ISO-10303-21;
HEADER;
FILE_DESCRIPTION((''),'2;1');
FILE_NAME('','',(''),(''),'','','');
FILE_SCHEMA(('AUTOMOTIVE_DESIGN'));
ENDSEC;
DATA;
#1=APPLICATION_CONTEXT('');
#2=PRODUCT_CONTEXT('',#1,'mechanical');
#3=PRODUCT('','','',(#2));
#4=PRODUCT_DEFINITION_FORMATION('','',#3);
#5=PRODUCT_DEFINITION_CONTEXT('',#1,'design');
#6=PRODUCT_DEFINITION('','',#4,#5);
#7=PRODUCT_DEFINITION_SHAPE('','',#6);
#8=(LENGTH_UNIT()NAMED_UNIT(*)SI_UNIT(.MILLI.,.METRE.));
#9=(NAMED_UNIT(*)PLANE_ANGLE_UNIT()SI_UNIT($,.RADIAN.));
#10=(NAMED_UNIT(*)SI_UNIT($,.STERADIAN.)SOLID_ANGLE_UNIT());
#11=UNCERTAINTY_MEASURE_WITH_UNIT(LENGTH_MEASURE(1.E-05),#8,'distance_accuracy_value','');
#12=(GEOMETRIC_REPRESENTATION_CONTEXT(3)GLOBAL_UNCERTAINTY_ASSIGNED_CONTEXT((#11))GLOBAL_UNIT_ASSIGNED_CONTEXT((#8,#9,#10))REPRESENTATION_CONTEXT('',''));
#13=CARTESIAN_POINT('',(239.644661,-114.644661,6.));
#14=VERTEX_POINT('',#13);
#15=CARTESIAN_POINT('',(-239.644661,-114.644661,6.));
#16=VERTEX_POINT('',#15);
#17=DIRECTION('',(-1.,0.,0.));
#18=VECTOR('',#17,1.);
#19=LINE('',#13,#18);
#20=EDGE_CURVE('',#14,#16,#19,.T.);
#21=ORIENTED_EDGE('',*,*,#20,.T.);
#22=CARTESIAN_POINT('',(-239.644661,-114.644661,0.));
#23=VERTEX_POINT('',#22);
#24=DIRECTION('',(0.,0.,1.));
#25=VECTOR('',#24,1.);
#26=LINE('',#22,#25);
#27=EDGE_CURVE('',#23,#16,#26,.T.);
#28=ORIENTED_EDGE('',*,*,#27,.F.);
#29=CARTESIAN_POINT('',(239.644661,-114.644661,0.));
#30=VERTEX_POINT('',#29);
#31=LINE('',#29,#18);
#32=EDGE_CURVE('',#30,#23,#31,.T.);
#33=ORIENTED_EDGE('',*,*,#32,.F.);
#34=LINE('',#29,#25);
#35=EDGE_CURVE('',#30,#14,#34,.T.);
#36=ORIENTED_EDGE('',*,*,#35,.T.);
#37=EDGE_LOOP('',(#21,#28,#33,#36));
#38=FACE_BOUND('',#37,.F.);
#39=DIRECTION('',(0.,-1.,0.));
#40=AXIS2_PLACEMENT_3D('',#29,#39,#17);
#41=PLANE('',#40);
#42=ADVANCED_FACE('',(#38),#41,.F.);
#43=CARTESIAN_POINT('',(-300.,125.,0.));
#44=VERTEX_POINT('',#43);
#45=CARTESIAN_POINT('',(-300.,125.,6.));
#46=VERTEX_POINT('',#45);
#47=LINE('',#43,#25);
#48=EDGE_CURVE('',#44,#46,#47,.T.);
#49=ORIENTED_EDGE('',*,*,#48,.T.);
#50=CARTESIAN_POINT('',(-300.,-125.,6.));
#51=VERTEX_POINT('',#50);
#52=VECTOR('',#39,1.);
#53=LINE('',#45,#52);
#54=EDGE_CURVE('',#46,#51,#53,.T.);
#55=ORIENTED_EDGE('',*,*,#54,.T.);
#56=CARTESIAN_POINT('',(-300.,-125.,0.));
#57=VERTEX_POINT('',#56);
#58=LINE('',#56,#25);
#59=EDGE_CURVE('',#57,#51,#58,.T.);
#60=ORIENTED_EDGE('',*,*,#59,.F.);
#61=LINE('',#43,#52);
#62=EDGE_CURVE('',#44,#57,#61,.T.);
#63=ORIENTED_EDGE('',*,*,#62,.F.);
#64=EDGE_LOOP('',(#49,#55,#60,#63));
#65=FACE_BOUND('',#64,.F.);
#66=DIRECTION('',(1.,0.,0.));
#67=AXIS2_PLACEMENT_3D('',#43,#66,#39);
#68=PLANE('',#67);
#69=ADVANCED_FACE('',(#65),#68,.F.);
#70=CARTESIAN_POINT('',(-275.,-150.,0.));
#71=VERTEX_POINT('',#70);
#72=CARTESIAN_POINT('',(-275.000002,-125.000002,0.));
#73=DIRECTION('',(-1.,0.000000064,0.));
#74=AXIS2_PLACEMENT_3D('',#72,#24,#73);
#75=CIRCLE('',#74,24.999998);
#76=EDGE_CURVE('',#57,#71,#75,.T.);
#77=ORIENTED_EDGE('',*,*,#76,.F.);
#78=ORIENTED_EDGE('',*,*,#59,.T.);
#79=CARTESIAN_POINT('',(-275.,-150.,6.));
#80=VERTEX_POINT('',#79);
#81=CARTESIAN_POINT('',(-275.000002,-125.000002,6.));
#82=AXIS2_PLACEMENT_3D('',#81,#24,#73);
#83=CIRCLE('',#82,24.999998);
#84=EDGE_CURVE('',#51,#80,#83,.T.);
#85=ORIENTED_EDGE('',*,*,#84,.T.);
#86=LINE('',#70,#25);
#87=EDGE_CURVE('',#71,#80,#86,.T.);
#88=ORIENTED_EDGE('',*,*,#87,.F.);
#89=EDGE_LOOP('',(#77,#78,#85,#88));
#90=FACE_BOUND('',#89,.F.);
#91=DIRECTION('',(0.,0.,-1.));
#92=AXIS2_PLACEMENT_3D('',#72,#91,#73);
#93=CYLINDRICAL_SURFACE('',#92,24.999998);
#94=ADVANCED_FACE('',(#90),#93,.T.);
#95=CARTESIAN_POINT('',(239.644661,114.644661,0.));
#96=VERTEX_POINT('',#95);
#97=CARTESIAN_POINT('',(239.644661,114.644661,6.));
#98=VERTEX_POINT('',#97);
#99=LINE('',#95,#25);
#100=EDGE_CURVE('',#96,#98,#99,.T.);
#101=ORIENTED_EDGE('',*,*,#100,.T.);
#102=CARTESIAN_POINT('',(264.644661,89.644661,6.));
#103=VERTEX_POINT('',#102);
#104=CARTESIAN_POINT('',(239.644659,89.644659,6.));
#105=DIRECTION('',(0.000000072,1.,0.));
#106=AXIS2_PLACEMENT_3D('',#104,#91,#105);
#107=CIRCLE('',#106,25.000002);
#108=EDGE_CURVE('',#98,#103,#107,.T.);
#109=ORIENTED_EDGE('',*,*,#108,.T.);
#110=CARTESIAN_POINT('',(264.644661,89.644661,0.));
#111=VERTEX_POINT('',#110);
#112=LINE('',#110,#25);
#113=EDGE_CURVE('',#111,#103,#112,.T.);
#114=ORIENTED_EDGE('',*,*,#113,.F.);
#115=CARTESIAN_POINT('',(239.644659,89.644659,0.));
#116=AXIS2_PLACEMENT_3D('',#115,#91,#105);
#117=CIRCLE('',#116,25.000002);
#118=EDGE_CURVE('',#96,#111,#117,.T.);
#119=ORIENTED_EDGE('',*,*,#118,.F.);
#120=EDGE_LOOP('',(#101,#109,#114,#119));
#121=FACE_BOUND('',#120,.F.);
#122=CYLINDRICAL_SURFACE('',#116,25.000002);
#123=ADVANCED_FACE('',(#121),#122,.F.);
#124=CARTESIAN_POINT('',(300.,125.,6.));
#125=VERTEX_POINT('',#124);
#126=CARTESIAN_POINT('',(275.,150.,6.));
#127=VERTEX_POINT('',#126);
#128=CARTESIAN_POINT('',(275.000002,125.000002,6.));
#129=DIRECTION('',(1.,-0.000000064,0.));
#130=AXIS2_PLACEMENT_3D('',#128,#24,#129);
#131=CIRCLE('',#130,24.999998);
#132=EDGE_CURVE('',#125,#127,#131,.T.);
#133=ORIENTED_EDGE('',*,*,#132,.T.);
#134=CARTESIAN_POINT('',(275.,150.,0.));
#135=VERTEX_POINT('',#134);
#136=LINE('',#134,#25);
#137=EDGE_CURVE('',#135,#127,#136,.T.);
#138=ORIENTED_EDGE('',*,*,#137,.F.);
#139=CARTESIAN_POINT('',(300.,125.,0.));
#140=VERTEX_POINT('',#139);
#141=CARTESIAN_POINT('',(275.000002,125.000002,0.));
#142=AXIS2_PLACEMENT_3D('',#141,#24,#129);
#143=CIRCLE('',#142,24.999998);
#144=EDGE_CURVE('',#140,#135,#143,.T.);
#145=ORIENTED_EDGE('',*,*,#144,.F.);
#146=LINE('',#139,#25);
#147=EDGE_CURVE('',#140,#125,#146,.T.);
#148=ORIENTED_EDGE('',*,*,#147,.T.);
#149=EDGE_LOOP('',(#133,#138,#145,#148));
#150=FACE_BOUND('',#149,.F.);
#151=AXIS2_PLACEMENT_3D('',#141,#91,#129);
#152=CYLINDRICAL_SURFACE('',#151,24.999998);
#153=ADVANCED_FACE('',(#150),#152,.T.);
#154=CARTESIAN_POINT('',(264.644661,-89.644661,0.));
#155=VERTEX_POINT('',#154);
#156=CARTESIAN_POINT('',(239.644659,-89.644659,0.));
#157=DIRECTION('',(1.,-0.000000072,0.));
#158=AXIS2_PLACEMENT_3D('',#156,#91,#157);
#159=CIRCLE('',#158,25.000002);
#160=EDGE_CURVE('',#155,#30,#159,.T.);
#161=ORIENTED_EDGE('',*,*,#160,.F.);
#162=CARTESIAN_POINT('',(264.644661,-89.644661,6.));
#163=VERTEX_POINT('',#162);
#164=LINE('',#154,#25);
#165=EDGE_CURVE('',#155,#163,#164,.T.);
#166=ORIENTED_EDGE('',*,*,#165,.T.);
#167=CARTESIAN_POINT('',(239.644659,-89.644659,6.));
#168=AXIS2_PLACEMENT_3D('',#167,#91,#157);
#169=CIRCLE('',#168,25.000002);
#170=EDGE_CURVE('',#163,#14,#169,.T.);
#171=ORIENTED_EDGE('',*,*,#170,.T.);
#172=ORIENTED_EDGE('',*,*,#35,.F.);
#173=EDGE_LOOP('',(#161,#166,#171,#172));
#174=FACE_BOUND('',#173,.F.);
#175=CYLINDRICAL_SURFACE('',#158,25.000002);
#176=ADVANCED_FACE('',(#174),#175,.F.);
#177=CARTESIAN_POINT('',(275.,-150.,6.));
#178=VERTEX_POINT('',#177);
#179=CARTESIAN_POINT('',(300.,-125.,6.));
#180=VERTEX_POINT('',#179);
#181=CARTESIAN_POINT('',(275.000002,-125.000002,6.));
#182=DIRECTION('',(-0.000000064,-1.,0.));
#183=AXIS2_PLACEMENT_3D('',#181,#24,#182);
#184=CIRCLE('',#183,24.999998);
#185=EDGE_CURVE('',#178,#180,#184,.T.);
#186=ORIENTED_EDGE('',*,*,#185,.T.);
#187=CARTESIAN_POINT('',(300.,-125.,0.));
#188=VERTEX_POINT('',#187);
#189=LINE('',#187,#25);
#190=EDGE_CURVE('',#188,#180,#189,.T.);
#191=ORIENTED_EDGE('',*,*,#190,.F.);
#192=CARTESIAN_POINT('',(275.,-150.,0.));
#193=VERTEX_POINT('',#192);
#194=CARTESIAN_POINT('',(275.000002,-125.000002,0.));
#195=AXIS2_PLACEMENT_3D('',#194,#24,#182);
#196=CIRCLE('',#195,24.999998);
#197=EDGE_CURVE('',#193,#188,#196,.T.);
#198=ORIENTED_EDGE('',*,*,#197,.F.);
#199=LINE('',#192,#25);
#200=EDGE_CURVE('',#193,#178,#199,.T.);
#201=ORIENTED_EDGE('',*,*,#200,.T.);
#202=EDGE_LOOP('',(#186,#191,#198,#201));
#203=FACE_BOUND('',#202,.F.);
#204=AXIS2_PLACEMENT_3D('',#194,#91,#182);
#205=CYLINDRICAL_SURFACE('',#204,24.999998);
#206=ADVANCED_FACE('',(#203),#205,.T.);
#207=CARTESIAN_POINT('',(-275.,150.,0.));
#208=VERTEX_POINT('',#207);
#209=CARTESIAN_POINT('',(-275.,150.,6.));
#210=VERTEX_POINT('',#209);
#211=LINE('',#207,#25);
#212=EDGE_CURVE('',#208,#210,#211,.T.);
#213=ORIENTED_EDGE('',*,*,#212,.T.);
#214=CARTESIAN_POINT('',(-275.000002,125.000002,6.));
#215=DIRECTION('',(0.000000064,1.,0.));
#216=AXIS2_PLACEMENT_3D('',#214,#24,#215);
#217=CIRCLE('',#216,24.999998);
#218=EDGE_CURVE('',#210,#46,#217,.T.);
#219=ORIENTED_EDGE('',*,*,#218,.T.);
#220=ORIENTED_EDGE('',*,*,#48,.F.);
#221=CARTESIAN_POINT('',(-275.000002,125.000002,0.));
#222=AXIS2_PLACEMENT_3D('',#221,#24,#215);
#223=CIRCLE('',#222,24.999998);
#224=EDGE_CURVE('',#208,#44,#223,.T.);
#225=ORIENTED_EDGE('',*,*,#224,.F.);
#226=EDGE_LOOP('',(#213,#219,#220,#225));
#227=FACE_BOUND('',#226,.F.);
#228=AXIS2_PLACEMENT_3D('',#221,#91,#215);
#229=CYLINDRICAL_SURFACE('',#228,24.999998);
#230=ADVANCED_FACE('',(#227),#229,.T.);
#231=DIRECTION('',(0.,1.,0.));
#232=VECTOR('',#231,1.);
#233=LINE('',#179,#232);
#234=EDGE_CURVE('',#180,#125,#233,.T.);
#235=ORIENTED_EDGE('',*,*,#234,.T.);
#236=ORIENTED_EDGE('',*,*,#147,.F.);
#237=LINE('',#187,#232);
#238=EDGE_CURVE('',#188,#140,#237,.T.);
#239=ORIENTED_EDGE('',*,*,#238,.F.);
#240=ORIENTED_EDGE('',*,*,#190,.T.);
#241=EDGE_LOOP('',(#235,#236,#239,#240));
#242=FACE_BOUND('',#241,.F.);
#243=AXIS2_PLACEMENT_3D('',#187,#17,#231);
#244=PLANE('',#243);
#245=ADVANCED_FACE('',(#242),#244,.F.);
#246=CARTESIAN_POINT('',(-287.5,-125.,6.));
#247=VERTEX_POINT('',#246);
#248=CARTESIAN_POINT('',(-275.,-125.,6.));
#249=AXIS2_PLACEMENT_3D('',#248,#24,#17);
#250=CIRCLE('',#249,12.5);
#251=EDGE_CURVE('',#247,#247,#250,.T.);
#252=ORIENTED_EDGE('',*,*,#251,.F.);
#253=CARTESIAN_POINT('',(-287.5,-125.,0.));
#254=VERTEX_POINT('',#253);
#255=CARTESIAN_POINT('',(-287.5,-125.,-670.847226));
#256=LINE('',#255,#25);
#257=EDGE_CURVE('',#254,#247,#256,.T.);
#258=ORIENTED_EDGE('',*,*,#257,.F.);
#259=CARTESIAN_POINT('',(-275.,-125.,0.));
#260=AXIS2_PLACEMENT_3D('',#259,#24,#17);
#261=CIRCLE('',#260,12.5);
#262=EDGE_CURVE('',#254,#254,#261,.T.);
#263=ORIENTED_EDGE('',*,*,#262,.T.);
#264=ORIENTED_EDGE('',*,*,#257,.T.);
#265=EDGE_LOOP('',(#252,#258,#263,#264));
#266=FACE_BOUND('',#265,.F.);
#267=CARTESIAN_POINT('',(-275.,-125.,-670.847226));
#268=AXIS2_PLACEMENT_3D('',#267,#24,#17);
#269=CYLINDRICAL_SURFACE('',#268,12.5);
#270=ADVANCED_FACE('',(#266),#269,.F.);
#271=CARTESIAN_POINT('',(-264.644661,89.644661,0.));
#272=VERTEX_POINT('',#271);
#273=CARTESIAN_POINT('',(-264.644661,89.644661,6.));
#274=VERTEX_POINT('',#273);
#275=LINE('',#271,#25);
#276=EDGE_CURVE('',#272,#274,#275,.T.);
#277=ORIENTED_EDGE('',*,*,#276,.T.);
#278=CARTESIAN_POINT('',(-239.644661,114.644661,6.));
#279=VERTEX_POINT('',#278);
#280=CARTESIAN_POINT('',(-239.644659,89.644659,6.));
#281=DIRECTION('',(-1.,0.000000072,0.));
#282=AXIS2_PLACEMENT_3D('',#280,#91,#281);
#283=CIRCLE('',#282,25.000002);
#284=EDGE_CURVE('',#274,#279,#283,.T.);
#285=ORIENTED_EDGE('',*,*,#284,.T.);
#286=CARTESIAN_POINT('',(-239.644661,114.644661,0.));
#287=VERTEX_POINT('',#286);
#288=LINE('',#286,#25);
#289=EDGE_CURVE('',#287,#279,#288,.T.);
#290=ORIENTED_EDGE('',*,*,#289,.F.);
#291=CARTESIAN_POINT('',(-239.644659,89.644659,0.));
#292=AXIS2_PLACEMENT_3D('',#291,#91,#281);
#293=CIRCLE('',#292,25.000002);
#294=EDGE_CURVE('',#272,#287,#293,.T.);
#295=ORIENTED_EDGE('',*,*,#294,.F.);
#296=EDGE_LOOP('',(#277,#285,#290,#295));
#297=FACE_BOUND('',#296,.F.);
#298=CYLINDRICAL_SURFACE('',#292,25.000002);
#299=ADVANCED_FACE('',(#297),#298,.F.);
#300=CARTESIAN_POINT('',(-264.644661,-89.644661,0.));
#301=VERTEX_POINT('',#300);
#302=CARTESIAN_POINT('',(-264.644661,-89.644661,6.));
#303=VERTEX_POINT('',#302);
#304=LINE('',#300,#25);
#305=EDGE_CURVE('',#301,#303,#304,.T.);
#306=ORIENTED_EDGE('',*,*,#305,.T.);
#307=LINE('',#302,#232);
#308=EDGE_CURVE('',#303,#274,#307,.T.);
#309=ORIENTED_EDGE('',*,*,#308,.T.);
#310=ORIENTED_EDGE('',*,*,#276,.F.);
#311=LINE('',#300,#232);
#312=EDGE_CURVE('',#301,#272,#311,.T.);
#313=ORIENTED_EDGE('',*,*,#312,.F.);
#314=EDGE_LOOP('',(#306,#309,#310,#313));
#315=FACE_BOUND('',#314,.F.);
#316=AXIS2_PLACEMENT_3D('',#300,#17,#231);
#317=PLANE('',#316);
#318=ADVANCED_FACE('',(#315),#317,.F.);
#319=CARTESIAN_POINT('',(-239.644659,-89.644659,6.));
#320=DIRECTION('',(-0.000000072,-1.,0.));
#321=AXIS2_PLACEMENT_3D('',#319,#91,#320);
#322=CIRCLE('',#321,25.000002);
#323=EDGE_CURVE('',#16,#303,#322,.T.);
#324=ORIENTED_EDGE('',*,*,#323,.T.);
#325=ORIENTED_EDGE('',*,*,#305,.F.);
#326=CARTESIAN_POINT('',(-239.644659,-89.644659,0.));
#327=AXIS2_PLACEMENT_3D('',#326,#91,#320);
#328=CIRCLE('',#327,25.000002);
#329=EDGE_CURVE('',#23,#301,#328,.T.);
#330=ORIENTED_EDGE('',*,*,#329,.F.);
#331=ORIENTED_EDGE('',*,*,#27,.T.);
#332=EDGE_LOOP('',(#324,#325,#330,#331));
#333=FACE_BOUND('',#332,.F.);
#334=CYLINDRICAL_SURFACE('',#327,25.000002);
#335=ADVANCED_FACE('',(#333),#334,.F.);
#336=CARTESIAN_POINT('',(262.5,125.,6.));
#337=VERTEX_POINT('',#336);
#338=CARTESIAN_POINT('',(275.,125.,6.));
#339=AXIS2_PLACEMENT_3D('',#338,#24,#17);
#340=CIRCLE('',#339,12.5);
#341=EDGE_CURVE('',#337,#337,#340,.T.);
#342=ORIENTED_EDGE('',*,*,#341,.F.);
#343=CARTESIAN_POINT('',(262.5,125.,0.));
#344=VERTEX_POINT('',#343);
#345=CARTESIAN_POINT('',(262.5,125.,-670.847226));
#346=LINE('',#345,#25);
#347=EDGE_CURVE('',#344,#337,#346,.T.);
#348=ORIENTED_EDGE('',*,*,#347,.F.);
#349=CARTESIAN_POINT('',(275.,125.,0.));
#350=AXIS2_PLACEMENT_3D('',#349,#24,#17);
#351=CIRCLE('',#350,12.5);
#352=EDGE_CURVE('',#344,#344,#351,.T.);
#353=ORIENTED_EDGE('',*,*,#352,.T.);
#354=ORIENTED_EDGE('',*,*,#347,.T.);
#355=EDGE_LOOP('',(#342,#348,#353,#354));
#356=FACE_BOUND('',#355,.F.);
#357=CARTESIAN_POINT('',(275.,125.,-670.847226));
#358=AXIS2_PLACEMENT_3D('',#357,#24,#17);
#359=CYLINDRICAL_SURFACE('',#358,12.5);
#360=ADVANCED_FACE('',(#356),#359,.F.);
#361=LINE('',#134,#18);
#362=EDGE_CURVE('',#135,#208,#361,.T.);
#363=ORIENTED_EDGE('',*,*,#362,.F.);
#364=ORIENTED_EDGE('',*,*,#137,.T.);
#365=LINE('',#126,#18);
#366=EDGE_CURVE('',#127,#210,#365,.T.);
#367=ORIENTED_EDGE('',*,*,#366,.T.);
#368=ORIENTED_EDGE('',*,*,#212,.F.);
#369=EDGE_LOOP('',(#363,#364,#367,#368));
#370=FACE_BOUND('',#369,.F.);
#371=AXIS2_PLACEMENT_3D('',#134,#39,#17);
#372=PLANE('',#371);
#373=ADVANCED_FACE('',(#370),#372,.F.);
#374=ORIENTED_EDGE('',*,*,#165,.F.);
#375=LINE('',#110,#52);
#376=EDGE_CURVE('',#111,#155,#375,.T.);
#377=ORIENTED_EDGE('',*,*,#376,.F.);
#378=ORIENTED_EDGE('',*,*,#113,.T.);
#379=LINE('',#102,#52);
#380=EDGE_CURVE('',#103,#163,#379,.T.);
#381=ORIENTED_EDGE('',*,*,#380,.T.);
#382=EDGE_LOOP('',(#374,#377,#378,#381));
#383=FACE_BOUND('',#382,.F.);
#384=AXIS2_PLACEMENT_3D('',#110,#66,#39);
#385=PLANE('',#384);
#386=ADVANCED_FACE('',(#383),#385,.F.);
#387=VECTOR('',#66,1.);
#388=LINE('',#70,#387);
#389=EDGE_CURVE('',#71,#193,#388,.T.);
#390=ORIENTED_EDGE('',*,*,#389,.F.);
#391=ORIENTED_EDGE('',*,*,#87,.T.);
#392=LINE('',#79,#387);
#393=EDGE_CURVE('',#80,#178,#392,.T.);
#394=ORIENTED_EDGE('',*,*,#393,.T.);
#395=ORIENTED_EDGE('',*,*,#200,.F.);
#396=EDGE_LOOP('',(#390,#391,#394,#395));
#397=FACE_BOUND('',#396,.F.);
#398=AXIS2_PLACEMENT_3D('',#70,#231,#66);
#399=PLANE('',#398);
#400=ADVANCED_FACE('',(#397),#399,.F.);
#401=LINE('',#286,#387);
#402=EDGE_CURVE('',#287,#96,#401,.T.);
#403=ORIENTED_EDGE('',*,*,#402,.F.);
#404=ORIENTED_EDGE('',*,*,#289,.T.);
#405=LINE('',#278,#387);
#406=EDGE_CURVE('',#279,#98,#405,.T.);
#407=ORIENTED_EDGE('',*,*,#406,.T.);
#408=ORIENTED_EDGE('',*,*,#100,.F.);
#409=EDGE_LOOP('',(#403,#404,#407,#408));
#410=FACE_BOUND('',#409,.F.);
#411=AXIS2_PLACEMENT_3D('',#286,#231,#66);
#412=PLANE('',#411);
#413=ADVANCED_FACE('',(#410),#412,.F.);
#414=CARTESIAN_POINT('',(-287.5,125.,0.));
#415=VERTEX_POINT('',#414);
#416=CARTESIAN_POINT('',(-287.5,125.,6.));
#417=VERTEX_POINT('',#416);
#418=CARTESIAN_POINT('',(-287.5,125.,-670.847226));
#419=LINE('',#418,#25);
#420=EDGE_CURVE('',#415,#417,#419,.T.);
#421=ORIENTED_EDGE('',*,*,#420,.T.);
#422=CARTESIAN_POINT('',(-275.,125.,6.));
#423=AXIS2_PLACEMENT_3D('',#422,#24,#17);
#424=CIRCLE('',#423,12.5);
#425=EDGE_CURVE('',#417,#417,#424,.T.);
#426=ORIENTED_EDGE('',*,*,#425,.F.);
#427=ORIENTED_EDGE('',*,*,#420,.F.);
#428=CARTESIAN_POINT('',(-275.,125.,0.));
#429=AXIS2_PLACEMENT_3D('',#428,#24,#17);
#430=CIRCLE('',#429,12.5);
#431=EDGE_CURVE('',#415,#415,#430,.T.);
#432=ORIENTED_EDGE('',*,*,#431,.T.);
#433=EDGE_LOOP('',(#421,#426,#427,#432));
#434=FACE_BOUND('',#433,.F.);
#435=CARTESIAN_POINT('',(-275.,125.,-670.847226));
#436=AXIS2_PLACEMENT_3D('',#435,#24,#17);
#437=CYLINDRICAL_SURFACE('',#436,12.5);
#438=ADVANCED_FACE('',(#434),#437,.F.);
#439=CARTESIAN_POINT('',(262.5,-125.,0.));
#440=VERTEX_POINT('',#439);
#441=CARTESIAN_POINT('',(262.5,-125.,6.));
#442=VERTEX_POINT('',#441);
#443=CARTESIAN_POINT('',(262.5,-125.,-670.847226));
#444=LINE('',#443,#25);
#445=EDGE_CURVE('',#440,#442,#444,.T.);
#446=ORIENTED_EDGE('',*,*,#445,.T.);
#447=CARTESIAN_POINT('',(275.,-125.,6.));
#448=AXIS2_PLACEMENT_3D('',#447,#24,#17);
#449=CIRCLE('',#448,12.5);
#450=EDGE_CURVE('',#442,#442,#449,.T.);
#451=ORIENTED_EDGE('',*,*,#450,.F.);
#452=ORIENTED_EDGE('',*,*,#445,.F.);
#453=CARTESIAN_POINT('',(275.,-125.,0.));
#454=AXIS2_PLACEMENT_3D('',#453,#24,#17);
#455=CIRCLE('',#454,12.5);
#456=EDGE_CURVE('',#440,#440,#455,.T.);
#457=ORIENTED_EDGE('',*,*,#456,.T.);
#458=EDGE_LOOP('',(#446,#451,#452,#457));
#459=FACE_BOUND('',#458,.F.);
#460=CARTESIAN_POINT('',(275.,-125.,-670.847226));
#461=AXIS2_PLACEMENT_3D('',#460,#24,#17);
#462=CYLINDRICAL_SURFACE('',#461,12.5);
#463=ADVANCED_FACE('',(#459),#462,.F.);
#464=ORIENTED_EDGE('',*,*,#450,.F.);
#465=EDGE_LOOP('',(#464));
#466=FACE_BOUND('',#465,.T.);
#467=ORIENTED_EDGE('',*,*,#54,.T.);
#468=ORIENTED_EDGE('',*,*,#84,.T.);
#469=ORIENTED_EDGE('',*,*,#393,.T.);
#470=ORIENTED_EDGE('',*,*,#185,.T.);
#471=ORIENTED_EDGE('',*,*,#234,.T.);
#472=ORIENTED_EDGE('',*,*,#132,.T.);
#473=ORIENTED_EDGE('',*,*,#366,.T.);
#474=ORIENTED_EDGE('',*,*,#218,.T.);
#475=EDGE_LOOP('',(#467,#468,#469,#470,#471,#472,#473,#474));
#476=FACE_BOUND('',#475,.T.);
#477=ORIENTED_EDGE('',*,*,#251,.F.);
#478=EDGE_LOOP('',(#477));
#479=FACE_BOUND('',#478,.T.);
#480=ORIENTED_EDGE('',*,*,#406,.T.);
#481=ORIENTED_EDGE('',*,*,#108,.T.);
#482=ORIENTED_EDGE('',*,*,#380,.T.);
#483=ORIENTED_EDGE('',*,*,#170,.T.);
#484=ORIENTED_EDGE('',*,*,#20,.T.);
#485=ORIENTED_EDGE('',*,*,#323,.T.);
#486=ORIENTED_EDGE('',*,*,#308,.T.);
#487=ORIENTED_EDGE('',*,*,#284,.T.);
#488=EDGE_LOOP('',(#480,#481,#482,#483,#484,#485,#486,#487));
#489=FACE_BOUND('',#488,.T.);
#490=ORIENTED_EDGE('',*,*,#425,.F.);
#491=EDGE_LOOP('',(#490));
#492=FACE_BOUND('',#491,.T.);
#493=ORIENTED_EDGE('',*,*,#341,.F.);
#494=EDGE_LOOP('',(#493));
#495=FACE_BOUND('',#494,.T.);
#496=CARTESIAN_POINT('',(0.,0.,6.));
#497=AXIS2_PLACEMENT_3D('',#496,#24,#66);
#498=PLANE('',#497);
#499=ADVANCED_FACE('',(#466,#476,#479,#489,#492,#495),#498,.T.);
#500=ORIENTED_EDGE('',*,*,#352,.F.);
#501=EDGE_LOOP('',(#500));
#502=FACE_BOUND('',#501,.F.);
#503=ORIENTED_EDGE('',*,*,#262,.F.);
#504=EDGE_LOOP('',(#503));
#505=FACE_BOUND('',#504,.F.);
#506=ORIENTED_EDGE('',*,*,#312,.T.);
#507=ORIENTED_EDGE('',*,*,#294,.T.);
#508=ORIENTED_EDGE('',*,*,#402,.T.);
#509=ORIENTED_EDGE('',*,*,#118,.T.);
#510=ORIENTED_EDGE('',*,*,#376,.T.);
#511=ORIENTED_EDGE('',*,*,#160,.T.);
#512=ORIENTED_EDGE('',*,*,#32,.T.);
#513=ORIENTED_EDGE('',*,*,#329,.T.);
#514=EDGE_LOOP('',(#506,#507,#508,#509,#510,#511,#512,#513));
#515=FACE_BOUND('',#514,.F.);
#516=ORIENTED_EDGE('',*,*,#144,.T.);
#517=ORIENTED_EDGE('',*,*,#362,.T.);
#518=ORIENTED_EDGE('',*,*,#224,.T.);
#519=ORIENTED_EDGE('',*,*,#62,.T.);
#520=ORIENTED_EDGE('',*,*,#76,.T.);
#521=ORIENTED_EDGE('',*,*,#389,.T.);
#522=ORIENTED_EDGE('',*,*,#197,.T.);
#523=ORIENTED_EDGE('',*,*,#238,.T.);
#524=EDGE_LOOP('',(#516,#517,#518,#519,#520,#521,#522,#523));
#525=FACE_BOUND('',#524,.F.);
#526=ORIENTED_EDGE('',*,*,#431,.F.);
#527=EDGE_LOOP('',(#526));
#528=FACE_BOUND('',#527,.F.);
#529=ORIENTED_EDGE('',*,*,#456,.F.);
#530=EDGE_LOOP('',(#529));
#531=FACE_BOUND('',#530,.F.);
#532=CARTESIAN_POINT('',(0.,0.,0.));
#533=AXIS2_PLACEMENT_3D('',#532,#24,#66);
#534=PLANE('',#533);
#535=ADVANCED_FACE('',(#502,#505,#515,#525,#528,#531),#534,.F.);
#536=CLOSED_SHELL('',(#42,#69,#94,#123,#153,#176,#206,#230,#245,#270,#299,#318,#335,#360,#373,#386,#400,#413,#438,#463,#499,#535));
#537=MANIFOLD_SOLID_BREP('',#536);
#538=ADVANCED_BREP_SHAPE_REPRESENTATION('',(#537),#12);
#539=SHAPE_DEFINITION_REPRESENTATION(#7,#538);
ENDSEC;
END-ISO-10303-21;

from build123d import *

# Parameters (mm, degrees)
F1_DEPTH = 6
F2_D     = 25
F3_D     = 25
F4_D     = 25


with BuildPart() as f1:
    # F0 (on Top) → F1 (new body)
    with BuildSketch(Plane.XY):
        with BuildLine():
            Line((-275, -150), (275, -150))
            ThreePointArc((275, -150), (292.67767, -142.67767), (300, -125))
            Line((300, -125), (300, 125))
            ThreePointArc((300, 125), (292.67767, 142.67767), (275, 150))
            Line((275, 150), (-275, 150))
            ThreePointArc((-275, 150), (-292.67767, 142.67767), (-300, 125))
            Line((-300, 125), (-300, -125))
            ThreePointArc((-300, -125), (-292.67767, -142.67767), (-275, -150))
        make_face()
        with BuildLine():
            ThreePointArc((264.644661, -89.644661), (257.32233, -107.32233), (239.644661, -114.644661))
            Line((239.644661, -114.644661), (-239.644661, -114.644661))
            ThreePointArc((-239.644661, -114.644661), (-257.32233, -107.32233), (-264.644661, -89.644661))
            Line((-264.644661, -89.644661), (-264.644661, 89.644661))
            ThreePointArc((-264.644661, 89.644661), (-257.32233, 107.32233), (-239.644661, 114.644661))
            Line((-239.644661, 114.644661), (239.644661, 114.644661))
            ThreePointArc((239.644661, 114.644661), (257.32233, 107.32233), (264.644661, 89.644661))
            Line((264.644661, 89.644661), (264.644661, -89.644661))
        make_face(mode=Mode.SUBTRACT)
    extrude(amount=F1_DEPTH)

    # F2 (through all)
    with Locations(Plane(origin=(0, 0, 0), x_dir=(1, 0, 0), z_dir=(0, 0, -1))):
        with Locations((-275, -125)):
            Hole(F2_D / 2)

    # F3 (through all)
    with Locations(Plane(origin=(0, 0, 0), x_dir=(1, 0, 0), z_dir=(0, 0, -1))):
        with Locations((-275, 125), (275, -125)):
            Hole(F3_D / 2)

    # F4 (through all)
    with Locations(Plane(origin=(0, 0, 0), x_dir=(1, 0, 0), z_dir=(0, 0, -1))):
        with Locations((275, 125)):
            Hole(F4_D / 2)


solid = f1.part
